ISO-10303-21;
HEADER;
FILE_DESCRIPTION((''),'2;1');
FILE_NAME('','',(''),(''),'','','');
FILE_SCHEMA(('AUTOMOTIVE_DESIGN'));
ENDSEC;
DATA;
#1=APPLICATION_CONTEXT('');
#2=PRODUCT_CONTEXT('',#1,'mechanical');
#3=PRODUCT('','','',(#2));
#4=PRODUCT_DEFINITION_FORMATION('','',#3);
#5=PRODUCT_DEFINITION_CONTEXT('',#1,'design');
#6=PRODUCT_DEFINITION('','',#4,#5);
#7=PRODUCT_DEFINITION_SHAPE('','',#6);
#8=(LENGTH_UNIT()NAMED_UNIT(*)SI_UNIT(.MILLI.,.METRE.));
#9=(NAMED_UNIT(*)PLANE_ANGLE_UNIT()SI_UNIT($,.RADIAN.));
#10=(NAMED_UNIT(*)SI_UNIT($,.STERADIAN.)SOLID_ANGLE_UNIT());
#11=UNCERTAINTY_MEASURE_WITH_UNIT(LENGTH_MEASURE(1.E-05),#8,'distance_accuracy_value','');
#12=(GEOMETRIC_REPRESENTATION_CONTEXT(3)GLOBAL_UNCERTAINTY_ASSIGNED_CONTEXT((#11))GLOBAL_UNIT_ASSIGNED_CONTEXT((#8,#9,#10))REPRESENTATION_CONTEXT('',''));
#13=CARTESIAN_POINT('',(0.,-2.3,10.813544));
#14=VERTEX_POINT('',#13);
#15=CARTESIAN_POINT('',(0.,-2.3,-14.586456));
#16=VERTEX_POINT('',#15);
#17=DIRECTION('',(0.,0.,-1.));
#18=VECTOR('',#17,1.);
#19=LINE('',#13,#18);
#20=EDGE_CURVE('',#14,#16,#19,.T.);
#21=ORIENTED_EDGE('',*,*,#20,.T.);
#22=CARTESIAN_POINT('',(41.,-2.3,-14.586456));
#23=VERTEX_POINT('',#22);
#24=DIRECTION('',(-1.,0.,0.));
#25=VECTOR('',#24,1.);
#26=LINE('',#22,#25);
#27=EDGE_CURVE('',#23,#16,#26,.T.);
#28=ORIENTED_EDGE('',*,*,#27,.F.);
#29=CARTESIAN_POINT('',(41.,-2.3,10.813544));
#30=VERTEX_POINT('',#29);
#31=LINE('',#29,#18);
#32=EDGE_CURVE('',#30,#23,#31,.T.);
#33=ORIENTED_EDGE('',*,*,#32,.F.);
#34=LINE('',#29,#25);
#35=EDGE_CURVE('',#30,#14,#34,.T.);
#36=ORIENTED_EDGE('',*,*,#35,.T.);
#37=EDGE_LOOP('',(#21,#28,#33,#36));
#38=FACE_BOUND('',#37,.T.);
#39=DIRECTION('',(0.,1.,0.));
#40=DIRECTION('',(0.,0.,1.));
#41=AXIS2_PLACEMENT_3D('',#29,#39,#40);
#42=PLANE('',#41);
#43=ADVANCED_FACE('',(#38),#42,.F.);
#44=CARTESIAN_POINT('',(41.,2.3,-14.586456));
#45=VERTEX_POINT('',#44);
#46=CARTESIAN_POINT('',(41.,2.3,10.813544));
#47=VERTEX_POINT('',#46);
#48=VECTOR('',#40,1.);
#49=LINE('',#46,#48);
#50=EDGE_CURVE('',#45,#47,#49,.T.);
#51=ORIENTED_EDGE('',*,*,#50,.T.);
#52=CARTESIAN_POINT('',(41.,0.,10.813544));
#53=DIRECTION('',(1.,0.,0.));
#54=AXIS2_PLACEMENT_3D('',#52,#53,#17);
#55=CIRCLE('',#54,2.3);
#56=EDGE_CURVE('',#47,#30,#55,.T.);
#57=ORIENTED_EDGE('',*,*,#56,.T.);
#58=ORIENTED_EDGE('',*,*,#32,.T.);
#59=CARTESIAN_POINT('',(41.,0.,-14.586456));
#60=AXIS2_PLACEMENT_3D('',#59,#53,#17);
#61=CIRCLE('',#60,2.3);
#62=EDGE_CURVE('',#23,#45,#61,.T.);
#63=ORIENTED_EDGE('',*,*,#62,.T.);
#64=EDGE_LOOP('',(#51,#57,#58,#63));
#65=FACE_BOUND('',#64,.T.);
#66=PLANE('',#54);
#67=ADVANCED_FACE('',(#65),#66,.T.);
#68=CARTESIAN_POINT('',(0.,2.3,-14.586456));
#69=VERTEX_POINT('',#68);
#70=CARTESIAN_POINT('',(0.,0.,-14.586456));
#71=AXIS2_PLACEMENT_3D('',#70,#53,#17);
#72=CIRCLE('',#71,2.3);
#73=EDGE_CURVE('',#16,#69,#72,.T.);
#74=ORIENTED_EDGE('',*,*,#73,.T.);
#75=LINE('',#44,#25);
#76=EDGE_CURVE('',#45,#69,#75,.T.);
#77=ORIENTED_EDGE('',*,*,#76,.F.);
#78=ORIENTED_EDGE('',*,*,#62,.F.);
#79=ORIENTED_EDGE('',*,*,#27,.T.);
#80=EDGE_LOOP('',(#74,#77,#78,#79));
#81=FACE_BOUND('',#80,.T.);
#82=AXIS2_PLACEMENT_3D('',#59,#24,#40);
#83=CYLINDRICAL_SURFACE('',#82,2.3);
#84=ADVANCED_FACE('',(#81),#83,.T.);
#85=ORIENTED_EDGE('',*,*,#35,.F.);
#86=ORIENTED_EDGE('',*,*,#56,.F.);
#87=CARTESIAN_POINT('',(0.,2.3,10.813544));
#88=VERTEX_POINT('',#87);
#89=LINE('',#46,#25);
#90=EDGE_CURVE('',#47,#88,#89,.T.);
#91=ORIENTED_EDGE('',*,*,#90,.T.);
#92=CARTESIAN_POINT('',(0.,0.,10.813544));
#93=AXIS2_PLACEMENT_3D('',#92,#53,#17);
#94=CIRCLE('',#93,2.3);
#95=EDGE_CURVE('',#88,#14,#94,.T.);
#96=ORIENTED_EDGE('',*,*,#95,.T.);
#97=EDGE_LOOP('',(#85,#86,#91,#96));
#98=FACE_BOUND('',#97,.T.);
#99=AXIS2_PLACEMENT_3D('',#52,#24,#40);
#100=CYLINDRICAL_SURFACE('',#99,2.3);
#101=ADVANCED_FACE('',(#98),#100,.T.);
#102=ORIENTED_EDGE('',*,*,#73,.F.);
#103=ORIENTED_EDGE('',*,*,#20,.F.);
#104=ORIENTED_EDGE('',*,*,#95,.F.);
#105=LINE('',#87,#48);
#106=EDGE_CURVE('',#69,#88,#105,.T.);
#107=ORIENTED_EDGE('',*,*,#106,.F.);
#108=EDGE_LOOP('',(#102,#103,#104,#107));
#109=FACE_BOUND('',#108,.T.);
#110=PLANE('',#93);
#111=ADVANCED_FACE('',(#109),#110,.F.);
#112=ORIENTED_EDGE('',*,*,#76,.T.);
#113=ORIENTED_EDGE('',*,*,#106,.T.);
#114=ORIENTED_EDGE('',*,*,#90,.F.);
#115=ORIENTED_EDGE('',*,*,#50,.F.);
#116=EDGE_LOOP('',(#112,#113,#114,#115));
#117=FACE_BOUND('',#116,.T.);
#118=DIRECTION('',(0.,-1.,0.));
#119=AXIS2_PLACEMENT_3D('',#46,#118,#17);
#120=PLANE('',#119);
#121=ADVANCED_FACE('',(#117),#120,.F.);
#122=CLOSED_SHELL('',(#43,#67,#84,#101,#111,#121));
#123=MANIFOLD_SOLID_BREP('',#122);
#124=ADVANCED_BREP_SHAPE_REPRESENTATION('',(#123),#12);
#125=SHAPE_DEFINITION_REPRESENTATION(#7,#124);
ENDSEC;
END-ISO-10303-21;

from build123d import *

# Parameters (mm, degrees)
BOSS_EXTRUDE1_DEPTH = 41


with BuildPart() as part:
    # Sketch1 → Boss-Extrude1 (new body)
    with BuildSketch(Plane(origin=(0, 0, 0), x_dir=(0, 0, -1), z_dir=(1, 0, 0))):
        with BuildLine():
            Line((-10.813544484, 2.3), (14.586455516, 2.3))
            ThreePointArc((14.586455516, 2.3), (16.886455516, 0), (14.586455516, -2.3))
            Line((14.586455516, -2.3), (-10.813544484, -2.3))
            ThreePointArc((-10.813544484, -2.3), (-13.113544484, 0), (-10.813544484, 2.3))
        make_face()
    extrude(amount=BOSS_EXTRUDE1_DEPTH)


solid = part.part
